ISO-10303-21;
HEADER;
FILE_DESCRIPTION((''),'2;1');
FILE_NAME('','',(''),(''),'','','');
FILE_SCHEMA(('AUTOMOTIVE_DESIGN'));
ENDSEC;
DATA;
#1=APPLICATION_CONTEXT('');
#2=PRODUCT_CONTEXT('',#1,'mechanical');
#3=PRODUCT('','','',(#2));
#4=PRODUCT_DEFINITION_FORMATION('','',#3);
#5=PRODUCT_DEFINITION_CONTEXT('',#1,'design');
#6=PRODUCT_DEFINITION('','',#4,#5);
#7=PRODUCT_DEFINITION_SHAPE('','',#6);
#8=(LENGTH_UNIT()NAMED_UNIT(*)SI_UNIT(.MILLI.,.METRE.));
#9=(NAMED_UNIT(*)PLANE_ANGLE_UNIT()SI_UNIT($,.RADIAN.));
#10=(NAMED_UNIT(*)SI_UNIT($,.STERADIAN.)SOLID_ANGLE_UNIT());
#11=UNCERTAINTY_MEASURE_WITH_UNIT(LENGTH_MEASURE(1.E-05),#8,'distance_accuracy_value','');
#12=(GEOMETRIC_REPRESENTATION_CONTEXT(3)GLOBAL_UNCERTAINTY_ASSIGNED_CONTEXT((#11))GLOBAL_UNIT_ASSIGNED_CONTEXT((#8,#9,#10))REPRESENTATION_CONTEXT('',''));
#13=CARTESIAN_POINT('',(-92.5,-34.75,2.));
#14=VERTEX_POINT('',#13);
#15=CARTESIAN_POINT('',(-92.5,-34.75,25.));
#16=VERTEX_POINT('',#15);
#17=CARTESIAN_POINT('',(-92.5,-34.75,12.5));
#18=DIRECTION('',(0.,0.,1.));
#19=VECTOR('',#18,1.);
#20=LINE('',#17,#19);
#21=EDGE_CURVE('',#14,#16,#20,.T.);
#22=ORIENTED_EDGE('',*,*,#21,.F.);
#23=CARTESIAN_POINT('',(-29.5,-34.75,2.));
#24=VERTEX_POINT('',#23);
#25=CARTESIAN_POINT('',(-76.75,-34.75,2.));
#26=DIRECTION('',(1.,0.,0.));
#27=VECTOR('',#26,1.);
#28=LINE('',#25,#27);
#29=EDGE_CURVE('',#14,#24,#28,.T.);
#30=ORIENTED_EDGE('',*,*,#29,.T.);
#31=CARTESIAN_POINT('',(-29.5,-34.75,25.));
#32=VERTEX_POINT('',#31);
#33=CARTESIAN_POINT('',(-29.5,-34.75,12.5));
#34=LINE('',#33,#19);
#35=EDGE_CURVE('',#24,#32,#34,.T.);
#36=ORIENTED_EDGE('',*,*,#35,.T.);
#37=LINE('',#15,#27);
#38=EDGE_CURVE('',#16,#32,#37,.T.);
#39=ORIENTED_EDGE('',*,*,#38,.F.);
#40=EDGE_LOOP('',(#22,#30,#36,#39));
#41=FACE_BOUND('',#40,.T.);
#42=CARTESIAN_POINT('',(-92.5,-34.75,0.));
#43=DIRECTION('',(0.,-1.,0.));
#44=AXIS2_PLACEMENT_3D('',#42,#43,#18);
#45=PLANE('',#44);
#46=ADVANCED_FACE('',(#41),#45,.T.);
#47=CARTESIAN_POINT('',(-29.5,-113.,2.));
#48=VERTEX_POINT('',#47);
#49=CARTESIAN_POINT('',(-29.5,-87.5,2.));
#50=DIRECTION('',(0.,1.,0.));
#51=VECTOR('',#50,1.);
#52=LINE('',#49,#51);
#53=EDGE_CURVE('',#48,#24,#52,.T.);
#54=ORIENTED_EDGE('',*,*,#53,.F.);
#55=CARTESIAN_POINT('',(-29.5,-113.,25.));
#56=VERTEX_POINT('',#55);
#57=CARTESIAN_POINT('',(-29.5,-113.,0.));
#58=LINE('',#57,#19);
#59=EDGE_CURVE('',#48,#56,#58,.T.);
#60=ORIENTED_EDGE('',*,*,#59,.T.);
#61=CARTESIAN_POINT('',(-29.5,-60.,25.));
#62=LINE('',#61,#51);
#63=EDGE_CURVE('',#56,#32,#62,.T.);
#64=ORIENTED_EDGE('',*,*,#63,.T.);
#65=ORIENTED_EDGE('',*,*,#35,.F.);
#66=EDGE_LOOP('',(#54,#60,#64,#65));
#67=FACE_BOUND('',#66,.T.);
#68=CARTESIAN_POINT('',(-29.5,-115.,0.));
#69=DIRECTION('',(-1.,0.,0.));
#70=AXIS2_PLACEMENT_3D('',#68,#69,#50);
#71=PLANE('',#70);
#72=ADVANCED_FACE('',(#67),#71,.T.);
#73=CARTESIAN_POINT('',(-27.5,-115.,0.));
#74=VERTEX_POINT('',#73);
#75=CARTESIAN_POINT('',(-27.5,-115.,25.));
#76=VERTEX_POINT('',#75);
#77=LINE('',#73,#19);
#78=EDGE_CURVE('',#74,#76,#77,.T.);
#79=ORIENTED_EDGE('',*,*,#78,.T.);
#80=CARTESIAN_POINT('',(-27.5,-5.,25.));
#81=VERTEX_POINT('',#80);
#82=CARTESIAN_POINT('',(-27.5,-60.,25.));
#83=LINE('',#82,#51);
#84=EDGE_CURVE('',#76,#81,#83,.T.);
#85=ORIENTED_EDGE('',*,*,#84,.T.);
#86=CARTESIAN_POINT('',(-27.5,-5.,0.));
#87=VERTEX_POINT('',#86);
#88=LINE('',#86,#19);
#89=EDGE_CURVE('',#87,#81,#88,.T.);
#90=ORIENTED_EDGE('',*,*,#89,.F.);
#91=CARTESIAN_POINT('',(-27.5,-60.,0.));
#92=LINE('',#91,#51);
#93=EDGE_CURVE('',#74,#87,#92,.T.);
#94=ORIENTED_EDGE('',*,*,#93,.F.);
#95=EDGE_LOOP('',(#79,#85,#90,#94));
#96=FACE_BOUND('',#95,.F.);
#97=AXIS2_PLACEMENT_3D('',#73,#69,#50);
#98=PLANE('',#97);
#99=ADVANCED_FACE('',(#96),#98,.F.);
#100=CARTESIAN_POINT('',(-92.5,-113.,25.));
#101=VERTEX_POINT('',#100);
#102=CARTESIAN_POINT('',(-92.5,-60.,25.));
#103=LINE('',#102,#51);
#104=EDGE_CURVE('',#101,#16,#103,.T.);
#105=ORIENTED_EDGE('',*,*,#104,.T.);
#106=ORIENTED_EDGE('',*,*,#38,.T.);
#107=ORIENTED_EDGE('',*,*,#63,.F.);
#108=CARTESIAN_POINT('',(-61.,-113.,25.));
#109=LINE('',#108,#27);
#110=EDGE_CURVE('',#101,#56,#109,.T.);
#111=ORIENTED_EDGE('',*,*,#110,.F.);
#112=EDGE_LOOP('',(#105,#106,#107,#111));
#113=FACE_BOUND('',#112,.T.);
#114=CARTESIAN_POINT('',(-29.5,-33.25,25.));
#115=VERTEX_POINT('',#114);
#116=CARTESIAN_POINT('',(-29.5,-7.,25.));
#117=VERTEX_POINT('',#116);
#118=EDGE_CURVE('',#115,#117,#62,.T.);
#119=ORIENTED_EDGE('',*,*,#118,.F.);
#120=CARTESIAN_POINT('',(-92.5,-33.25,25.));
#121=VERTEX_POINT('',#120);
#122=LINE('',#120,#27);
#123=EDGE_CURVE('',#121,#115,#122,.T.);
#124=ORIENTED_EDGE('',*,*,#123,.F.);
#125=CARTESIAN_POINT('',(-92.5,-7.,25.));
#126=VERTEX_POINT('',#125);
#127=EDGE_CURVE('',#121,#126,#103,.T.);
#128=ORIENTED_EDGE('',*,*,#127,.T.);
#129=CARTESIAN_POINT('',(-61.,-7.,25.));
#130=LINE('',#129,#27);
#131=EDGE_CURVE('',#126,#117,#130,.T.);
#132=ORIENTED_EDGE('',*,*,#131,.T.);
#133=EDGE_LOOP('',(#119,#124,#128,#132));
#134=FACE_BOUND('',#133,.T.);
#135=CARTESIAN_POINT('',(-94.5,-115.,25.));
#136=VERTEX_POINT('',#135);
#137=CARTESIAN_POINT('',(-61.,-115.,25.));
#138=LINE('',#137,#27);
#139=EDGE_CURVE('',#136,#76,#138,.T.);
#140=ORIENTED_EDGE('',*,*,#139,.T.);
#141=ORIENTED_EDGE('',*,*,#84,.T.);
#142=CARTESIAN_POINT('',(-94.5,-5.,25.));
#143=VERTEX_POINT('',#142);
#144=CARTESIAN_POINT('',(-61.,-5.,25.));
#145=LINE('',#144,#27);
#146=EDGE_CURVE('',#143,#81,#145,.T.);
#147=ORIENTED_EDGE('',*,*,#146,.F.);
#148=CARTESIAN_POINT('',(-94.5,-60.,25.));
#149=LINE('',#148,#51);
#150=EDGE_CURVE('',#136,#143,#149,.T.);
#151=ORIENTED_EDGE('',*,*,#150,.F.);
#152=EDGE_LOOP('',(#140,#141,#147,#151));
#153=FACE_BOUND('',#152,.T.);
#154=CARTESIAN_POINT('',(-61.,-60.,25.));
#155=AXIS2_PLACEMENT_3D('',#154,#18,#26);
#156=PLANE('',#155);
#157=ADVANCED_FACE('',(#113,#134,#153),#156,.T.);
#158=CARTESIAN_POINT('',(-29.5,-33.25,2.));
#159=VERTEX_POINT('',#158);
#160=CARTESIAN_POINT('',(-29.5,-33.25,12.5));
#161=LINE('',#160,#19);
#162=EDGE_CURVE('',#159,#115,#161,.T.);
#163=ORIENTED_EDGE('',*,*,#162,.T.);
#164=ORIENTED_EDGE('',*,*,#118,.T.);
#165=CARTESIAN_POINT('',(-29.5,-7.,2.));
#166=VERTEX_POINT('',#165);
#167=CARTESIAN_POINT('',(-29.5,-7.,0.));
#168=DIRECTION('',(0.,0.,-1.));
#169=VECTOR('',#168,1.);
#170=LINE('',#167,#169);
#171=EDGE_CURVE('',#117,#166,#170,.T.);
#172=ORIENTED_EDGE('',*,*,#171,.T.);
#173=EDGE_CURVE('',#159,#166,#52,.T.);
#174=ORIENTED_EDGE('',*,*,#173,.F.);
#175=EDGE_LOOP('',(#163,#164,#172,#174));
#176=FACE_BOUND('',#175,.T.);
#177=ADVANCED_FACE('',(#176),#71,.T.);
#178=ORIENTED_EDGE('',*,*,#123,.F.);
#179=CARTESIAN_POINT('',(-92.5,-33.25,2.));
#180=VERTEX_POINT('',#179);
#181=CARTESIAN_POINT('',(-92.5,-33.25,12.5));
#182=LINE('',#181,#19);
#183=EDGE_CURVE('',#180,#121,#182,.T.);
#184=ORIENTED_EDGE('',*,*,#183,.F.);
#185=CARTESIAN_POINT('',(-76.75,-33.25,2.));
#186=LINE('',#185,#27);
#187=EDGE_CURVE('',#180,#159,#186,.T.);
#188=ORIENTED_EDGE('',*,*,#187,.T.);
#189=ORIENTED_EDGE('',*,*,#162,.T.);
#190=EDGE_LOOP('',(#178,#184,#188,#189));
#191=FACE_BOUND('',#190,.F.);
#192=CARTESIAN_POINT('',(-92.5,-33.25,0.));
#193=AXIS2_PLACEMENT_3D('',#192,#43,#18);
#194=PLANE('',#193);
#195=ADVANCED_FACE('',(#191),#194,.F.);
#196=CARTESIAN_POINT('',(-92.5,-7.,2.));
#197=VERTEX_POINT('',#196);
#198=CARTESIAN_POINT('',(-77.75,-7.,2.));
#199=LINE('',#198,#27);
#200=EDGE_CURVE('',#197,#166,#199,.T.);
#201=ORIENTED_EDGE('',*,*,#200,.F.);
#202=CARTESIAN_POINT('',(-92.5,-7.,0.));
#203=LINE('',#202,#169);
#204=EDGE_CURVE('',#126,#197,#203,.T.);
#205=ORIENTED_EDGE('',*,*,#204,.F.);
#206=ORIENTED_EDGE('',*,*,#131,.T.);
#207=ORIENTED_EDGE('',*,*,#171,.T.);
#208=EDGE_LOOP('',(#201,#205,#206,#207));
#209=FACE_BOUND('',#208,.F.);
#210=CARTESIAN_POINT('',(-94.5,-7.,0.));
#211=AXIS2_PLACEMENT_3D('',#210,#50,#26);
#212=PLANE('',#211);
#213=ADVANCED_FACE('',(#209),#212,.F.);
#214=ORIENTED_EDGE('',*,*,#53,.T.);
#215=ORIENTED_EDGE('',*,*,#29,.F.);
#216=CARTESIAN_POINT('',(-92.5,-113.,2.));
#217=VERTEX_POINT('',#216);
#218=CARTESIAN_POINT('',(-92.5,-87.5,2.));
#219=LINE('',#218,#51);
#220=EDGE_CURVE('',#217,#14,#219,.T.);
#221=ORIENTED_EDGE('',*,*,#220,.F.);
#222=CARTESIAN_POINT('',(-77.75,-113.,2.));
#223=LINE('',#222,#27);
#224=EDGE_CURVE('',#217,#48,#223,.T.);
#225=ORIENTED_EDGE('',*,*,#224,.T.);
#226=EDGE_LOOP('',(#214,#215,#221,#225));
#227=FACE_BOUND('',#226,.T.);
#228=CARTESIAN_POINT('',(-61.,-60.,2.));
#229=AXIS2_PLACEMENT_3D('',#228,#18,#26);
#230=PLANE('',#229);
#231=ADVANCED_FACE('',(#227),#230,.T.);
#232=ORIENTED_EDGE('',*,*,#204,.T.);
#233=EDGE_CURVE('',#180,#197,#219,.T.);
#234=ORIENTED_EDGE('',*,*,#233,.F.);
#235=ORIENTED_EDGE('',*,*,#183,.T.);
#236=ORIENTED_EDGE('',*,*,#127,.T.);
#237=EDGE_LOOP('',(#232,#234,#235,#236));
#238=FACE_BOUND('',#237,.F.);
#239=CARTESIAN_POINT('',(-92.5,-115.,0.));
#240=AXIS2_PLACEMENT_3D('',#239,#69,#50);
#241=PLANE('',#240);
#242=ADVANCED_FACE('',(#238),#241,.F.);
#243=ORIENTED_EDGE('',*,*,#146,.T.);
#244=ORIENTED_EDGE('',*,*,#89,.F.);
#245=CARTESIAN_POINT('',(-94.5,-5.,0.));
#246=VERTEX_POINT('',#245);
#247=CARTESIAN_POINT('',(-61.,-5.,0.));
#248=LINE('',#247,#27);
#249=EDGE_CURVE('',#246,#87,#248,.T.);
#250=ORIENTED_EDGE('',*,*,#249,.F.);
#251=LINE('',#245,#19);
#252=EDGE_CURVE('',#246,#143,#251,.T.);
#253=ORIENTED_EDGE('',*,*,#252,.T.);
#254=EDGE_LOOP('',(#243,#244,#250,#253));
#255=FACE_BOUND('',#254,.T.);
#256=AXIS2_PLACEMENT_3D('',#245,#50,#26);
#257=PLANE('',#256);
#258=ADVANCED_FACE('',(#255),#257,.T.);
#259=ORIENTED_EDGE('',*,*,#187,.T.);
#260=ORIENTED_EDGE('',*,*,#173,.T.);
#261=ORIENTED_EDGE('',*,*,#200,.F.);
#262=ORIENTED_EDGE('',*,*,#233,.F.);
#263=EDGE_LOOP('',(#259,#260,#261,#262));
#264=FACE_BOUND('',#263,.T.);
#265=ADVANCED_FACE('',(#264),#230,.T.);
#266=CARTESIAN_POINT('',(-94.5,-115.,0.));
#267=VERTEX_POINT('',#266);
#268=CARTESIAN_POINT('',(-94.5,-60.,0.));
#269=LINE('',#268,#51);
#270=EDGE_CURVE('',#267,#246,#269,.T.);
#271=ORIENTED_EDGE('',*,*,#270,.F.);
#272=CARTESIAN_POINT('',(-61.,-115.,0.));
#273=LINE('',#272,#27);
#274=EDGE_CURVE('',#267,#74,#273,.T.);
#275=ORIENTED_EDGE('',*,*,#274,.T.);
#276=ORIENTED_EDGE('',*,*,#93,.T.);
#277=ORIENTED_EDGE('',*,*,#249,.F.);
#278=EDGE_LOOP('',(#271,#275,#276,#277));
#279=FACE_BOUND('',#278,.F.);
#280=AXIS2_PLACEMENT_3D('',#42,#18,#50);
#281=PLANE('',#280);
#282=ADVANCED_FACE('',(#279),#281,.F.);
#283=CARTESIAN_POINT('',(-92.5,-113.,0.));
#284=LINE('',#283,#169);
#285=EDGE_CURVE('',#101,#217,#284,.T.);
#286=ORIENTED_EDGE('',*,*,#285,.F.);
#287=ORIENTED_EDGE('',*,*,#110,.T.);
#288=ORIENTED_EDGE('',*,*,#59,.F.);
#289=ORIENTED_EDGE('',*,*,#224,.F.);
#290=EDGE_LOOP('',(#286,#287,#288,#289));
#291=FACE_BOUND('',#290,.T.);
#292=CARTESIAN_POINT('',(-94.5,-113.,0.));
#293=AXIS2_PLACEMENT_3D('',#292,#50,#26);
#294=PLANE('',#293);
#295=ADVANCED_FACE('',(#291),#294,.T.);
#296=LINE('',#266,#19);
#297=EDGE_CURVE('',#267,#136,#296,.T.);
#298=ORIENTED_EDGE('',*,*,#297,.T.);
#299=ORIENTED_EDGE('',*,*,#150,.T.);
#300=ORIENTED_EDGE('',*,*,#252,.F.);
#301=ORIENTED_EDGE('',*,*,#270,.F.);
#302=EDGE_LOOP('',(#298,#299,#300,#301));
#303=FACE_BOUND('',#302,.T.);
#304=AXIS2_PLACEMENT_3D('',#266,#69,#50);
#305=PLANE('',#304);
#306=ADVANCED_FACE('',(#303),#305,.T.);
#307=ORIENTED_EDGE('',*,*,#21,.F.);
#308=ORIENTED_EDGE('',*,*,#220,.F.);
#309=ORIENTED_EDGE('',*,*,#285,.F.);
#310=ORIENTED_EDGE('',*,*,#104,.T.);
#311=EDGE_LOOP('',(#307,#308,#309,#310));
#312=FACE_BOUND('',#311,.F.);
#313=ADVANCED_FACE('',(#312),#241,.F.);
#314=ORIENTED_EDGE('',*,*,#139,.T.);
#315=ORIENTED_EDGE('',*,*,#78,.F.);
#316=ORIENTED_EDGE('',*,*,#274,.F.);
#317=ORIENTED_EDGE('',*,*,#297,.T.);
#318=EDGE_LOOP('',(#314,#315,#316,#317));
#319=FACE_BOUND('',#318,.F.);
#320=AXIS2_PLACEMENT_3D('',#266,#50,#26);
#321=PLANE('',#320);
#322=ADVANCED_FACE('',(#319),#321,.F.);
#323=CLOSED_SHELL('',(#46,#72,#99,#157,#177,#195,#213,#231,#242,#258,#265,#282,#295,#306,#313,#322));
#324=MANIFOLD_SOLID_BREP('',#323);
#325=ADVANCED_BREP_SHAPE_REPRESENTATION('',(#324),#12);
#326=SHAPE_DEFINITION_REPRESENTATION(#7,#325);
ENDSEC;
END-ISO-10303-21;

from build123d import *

# Parameters (mm, degrees)
SKETCH022_W    = 67
SKETCH022_H    = 110
PAD009_DEPTH   = 25
THICKNESS002_T = -2
SKETCH023_W    = 1.5
SKETCH023_H    = 25
PAD010_DEPTH   = 63


with BuildPart() as part:
    # Sketch022 → Pad009 (new body)
    with BuildSketch(Plane.XY):
        Rectangle(SKETCH022_W, SKETCH022_H)
    extrude(amount=PAD009_DEPTH)

    # Thickness002
    thickness002_openings = [part.faces().sort_by_distance(p)[0] for p in [
        (0, 0, 25),
    ]]
    offset(amount=THICKNESS002_T, openings=thickness002_openings)

    # Sketch023 (on DatumPlane) → Pad010 (join)
    with BuildSketch(Plane(origin=(-31.5, 26, 0), x_dir=(0, 1, 0), z_dir=(1, 0, 0))):
        with Locations((0, 12.5)):
            Rectangle(SKETCH023_W, SKETCH023_H)
    extrude(amount=PAD010_DEPTH)


with BuildPart() as part_1:
    # Body010 placement: moved
    add(part.part.moved(Location((-61, -60, 0))))


solid = part_1.part
